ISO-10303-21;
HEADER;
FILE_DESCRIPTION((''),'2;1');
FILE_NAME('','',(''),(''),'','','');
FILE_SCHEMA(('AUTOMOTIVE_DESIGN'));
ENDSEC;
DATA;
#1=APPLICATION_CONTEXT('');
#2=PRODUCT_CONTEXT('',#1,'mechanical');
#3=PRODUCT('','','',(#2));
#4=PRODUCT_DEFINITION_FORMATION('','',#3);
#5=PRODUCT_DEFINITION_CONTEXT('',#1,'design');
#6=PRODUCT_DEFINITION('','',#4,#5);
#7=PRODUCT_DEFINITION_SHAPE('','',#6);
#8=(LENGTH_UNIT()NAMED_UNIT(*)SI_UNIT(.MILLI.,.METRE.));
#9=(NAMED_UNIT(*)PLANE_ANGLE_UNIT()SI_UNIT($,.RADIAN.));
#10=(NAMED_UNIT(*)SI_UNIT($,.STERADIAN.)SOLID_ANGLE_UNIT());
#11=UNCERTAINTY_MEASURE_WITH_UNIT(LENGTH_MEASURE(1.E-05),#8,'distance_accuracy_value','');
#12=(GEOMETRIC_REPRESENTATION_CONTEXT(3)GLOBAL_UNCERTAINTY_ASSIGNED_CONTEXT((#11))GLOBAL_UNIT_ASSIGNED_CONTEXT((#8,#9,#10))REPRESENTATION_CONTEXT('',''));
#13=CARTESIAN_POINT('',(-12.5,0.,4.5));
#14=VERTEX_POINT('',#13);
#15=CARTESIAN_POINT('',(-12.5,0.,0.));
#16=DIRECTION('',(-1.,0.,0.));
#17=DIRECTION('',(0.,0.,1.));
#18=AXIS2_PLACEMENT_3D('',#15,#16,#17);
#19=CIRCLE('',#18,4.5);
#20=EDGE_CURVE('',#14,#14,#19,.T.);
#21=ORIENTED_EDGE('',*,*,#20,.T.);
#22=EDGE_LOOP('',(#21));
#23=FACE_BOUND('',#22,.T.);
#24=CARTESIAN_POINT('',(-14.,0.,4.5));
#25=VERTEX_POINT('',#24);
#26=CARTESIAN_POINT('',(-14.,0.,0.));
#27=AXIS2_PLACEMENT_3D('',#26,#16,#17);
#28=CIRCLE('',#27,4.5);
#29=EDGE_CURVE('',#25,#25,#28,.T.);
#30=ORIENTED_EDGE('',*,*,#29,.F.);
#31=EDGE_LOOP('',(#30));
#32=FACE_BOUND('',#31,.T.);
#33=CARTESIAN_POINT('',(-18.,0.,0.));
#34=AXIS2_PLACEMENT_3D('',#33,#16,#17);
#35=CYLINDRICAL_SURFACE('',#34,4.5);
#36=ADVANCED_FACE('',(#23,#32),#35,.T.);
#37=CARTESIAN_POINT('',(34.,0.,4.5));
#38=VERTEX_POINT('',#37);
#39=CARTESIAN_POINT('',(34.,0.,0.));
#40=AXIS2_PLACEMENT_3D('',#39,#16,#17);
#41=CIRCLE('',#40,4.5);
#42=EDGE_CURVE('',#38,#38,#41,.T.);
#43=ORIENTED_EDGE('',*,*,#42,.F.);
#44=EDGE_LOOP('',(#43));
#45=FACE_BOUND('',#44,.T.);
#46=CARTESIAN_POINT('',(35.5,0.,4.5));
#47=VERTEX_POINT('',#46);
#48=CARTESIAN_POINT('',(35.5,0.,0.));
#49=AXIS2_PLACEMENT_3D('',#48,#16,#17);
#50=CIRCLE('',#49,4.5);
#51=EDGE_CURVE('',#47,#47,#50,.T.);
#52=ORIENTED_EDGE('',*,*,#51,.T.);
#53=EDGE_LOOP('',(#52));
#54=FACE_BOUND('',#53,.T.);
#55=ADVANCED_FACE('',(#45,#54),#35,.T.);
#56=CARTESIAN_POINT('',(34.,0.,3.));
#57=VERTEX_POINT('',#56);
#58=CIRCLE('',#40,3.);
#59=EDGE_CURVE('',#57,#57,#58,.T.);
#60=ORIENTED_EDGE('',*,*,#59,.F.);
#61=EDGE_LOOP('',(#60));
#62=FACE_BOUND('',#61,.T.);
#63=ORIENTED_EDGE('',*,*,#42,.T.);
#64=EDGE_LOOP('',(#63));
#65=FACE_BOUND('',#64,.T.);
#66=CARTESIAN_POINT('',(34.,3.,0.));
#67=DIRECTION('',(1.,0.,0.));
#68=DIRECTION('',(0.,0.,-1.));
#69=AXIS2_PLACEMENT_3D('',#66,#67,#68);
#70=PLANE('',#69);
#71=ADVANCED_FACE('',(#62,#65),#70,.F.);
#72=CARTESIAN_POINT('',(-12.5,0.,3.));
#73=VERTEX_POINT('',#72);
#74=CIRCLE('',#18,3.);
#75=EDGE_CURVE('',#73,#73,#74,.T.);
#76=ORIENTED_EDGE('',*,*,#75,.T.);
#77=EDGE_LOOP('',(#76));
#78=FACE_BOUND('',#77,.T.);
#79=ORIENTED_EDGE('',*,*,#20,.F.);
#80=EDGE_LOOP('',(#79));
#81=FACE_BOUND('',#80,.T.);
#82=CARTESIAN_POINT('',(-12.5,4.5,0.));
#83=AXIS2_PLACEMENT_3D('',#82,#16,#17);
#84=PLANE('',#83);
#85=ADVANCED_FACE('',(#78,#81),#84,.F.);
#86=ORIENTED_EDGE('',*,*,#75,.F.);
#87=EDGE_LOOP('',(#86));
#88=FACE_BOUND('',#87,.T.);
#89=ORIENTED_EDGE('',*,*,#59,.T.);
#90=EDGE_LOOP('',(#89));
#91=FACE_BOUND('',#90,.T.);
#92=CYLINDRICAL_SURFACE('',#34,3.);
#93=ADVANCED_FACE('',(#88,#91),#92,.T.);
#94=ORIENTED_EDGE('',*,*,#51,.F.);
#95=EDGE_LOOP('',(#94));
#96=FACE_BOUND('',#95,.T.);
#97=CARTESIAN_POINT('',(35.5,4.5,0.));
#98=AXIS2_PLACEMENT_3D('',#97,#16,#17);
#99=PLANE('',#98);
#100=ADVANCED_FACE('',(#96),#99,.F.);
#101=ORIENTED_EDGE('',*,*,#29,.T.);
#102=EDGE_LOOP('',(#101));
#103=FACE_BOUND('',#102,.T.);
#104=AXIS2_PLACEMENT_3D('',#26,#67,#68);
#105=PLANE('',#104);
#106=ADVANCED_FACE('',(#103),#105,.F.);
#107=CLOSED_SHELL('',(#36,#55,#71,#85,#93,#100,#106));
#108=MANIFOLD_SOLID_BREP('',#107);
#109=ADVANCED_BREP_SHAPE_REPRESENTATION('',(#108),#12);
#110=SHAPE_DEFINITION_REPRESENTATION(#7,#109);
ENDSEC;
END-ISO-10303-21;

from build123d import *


with BuildPart() as part:
    # Sketch1 → Pasador_codo (revolve)
    with BuildSketch(Plane.XY, mode=Mode.PRIVATE) as pasador_codo_sk:
        Polygon((-14, 0), (-14, 4.5), (-12.5, 4.5), (-12.5, 3), (34, 3), (34, 4.5), (35.5, 4.5), (35.5, 0), align=None)
    revolve(pasador_codo_sk.sketch.rotate(Axis((-18, 0, 0), (1, 0, 0)), 90), axis=Axis((-18, 0, 0), (1, 0, 0)))


solid = part.part
